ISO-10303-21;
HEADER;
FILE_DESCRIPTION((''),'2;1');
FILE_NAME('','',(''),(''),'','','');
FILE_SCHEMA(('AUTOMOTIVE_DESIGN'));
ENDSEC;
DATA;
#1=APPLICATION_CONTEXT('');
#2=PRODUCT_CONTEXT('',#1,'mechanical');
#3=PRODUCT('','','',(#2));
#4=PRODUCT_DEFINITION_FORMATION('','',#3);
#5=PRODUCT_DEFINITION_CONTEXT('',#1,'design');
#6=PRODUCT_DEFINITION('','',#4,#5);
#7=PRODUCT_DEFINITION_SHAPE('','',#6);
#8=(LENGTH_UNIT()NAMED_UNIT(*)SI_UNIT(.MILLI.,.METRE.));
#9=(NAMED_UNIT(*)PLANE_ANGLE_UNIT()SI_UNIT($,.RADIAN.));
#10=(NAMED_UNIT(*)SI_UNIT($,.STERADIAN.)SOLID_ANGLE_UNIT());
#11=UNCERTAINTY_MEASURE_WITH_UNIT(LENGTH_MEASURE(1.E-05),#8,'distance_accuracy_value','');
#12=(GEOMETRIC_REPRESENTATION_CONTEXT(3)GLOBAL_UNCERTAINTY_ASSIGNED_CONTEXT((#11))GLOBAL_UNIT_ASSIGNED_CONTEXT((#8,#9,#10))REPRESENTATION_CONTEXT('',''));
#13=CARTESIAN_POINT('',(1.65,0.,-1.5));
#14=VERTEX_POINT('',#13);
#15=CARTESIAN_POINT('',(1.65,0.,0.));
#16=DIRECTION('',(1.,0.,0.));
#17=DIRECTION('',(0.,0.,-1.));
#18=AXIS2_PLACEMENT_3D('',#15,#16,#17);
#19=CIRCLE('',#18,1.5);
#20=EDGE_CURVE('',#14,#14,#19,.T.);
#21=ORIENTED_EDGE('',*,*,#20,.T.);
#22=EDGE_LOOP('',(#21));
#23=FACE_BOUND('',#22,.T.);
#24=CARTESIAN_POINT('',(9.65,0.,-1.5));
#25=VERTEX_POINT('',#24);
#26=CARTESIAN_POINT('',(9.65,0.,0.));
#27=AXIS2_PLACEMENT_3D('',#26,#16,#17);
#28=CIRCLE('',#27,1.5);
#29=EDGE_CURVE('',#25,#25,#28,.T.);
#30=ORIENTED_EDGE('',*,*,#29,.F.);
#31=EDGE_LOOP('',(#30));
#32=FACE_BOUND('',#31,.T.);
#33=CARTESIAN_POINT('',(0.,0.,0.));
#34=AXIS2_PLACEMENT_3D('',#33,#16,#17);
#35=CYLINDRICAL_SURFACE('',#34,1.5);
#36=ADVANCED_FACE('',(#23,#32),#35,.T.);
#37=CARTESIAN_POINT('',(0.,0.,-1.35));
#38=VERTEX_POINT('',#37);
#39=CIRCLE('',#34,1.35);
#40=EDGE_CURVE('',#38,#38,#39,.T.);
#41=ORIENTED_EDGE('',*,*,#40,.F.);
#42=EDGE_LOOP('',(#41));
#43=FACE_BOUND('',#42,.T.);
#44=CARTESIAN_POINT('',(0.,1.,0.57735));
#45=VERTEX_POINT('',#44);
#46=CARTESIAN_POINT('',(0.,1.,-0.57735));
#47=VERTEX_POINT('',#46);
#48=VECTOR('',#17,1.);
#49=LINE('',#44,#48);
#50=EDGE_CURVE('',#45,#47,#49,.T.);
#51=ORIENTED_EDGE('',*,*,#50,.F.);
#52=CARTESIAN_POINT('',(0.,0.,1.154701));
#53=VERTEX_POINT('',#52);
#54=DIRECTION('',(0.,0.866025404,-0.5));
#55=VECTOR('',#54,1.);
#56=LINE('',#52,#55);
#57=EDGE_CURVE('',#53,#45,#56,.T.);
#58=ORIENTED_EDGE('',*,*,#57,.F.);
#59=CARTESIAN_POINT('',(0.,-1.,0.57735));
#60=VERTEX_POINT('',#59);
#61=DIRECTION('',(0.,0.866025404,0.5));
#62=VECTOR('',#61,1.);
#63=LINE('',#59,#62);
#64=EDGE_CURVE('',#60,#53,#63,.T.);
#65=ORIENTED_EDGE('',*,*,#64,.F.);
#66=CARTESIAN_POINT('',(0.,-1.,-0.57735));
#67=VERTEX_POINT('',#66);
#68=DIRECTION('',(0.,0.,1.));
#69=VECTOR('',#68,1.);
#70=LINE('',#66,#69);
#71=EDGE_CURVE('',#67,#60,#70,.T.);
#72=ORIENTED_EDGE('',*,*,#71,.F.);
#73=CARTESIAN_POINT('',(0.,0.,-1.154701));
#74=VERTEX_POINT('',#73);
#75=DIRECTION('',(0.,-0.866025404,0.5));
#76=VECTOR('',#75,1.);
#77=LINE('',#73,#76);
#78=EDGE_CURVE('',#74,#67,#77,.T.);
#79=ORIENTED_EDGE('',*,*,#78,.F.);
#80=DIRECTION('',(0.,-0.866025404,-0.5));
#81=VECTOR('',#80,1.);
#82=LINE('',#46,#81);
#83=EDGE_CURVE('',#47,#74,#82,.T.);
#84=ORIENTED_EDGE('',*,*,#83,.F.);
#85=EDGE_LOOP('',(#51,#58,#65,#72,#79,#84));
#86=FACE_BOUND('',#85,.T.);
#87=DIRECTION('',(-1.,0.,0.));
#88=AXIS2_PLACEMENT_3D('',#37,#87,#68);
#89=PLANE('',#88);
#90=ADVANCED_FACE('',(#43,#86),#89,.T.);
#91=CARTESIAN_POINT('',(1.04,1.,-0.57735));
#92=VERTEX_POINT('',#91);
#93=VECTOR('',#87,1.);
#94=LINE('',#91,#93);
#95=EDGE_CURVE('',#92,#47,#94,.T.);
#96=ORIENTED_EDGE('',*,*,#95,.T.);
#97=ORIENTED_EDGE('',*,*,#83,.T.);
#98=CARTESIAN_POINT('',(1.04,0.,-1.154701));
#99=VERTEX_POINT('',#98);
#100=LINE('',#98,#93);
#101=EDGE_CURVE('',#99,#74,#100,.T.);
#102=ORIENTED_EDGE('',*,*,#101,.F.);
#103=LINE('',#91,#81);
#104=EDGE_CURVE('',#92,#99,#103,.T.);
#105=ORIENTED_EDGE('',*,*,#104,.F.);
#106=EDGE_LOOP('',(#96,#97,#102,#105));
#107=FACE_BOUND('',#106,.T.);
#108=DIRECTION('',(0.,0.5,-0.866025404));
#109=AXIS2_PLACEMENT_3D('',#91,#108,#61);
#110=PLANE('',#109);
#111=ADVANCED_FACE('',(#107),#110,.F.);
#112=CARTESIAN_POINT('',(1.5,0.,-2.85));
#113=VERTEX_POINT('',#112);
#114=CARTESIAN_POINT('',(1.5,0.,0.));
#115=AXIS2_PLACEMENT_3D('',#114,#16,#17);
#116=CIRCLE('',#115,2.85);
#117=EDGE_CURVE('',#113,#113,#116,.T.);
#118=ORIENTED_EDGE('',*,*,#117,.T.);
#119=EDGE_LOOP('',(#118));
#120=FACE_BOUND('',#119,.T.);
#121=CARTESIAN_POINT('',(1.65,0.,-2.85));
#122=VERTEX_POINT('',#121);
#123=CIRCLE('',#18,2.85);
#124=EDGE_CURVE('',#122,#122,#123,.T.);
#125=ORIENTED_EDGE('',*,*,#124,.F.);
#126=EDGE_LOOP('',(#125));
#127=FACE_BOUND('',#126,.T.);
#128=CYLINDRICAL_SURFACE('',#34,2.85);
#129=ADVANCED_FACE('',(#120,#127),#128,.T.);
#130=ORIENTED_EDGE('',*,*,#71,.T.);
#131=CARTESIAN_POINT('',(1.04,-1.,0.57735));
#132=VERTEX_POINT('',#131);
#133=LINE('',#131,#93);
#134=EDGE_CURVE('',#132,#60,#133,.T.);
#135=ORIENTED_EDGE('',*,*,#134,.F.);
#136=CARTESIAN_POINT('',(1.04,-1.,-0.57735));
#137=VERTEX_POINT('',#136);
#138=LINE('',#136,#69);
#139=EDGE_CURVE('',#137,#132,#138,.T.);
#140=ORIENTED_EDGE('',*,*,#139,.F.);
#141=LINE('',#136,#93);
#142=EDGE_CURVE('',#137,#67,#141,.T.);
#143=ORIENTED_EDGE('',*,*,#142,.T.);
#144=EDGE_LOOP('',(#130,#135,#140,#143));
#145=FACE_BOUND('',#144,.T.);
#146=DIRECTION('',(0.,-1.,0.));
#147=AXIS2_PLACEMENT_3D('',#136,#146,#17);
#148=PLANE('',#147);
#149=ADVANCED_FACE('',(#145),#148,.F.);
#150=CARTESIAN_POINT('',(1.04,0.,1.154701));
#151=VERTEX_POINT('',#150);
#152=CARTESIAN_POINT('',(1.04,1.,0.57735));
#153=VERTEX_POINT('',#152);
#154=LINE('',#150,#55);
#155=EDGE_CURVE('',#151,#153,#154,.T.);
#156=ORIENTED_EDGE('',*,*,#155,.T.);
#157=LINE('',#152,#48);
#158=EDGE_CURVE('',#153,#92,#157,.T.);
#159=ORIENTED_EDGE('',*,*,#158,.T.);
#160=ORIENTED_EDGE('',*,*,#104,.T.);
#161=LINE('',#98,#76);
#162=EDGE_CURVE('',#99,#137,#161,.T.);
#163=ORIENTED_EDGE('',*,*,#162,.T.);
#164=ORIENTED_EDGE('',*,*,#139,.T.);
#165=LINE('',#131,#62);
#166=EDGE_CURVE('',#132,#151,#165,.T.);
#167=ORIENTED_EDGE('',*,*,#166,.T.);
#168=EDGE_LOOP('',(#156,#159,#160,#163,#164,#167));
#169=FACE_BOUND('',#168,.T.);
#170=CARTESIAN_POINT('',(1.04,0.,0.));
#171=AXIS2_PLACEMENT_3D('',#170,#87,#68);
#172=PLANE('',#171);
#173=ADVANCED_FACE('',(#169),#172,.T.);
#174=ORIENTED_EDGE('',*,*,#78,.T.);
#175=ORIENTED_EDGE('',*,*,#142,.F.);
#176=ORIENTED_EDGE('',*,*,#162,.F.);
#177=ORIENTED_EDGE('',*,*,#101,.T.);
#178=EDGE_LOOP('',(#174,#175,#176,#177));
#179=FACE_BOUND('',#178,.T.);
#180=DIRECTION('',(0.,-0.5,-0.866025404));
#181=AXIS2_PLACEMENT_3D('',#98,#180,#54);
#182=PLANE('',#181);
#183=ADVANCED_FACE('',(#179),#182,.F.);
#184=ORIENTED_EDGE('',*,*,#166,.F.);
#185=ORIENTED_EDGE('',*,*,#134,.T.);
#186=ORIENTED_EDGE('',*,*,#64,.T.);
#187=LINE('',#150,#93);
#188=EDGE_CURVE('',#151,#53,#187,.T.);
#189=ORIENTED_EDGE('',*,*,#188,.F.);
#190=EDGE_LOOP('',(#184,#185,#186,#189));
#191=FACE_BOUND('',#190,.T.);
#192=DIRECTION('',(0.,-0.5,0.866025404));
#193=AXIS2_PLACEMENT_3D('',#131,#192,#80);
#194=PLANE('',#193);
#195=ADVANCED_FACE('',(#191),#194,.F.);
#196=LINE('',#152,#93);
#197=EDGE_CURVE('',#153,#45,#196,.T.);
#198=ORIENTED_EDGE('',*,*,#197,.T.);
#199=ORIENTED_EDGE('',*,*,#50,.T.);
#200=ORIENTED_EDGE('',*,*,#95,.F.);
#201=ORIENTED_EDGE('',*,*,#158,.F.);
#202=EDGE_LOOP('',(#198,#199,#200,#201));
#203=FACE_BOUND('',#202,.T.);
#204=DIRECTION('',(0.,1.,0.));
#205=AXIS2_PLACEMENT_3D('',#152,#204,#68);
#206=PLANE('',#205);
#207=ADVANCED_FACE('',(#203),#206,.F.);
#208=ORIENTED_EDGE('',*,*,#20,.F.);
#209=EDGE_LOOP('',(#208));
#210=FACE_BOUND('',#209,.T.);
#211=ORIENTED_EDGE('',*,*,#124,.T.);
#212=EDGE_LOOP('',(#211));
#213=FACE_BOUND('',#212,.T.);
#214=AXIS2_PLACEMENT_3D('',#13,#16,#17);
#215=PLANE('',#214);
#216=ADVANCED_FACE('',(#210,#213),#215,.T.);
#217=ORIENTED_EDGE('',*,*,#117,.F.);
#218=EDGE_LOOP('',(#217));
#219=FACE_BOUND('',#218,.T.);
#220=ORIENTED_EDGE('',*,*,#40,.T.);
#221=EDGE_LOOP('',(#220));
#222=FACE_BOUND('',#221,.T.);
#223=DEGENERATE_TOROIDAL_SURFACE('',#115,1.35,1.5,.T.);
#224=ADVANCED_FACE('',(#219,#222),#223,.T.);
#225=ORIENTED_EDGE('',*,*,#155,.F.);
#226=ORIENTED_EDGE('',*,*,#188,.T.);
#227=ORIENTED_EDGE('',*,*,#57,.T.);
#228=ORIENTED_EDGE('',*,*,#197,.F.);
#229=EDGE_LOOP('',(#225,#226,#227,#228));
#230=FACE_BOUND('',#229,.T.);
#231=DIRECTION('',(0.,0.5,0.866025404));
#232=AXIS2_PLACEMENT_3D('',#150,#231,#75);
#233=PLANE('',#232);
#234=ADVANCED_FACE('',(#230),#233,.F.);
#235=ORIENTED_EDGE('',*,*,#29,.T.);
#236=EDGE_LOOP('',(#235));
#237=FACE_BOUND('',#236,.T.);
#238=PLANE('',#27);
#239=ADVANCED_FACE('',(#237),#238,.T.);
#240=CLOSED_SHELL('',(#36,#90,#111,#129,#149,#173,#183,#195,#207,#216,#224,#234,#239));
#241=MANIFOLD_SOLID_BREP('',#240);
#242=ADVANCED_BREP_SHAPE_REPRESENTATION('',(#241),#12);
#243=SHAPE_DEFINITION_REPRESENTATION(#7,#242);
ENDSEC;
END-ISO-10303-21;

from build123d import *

# Parameters (mm, degrees)
CUT_EXTRUDE1_DEPTH = 1.04


with BuildPart() as part:
    # Sketch1 → Revolve1 (revolve)
    with BuildSketch(Plane(origin=(0, 0, 0), x_dir=(1, 0, 0), z_dir=(0, 1, 0))):
        with BuildLine():
            Line((0, 0), (9.65, 0))
            Line((9.65, 0), (9.65, 1.5))
            Line((9.65, 1.5), (1.65, 1.5))
            Line((1.65, 1.5), (1.65, 2.85))
            Line((1.65, 2.85), (1.5, 2.85))
            ThreePointArc((1.5, 2.85), (0.439339828, 2.410660172), (0, 1.35))
            Line((0, 1.35), (0, 0))
        make_face()
    revolve(axis=Axis((0, 0, 0), (-1, 0, 0)))

    # Sketch2 → Cut-Extrude1 (cut)
    with BuildSketch(Plane.ZY):
        Polygon((1.154700538, 0), (0.577350269, 1), (-0.577350269, 1), (-1.154700538, 0), (-0.577350269, -1), (0.577350269, -1), align=None)
    extrude(amount=-CUT_EXTRUDE1_DEPTH, mode=Mode.SUBTRACT)


solid = part.part
